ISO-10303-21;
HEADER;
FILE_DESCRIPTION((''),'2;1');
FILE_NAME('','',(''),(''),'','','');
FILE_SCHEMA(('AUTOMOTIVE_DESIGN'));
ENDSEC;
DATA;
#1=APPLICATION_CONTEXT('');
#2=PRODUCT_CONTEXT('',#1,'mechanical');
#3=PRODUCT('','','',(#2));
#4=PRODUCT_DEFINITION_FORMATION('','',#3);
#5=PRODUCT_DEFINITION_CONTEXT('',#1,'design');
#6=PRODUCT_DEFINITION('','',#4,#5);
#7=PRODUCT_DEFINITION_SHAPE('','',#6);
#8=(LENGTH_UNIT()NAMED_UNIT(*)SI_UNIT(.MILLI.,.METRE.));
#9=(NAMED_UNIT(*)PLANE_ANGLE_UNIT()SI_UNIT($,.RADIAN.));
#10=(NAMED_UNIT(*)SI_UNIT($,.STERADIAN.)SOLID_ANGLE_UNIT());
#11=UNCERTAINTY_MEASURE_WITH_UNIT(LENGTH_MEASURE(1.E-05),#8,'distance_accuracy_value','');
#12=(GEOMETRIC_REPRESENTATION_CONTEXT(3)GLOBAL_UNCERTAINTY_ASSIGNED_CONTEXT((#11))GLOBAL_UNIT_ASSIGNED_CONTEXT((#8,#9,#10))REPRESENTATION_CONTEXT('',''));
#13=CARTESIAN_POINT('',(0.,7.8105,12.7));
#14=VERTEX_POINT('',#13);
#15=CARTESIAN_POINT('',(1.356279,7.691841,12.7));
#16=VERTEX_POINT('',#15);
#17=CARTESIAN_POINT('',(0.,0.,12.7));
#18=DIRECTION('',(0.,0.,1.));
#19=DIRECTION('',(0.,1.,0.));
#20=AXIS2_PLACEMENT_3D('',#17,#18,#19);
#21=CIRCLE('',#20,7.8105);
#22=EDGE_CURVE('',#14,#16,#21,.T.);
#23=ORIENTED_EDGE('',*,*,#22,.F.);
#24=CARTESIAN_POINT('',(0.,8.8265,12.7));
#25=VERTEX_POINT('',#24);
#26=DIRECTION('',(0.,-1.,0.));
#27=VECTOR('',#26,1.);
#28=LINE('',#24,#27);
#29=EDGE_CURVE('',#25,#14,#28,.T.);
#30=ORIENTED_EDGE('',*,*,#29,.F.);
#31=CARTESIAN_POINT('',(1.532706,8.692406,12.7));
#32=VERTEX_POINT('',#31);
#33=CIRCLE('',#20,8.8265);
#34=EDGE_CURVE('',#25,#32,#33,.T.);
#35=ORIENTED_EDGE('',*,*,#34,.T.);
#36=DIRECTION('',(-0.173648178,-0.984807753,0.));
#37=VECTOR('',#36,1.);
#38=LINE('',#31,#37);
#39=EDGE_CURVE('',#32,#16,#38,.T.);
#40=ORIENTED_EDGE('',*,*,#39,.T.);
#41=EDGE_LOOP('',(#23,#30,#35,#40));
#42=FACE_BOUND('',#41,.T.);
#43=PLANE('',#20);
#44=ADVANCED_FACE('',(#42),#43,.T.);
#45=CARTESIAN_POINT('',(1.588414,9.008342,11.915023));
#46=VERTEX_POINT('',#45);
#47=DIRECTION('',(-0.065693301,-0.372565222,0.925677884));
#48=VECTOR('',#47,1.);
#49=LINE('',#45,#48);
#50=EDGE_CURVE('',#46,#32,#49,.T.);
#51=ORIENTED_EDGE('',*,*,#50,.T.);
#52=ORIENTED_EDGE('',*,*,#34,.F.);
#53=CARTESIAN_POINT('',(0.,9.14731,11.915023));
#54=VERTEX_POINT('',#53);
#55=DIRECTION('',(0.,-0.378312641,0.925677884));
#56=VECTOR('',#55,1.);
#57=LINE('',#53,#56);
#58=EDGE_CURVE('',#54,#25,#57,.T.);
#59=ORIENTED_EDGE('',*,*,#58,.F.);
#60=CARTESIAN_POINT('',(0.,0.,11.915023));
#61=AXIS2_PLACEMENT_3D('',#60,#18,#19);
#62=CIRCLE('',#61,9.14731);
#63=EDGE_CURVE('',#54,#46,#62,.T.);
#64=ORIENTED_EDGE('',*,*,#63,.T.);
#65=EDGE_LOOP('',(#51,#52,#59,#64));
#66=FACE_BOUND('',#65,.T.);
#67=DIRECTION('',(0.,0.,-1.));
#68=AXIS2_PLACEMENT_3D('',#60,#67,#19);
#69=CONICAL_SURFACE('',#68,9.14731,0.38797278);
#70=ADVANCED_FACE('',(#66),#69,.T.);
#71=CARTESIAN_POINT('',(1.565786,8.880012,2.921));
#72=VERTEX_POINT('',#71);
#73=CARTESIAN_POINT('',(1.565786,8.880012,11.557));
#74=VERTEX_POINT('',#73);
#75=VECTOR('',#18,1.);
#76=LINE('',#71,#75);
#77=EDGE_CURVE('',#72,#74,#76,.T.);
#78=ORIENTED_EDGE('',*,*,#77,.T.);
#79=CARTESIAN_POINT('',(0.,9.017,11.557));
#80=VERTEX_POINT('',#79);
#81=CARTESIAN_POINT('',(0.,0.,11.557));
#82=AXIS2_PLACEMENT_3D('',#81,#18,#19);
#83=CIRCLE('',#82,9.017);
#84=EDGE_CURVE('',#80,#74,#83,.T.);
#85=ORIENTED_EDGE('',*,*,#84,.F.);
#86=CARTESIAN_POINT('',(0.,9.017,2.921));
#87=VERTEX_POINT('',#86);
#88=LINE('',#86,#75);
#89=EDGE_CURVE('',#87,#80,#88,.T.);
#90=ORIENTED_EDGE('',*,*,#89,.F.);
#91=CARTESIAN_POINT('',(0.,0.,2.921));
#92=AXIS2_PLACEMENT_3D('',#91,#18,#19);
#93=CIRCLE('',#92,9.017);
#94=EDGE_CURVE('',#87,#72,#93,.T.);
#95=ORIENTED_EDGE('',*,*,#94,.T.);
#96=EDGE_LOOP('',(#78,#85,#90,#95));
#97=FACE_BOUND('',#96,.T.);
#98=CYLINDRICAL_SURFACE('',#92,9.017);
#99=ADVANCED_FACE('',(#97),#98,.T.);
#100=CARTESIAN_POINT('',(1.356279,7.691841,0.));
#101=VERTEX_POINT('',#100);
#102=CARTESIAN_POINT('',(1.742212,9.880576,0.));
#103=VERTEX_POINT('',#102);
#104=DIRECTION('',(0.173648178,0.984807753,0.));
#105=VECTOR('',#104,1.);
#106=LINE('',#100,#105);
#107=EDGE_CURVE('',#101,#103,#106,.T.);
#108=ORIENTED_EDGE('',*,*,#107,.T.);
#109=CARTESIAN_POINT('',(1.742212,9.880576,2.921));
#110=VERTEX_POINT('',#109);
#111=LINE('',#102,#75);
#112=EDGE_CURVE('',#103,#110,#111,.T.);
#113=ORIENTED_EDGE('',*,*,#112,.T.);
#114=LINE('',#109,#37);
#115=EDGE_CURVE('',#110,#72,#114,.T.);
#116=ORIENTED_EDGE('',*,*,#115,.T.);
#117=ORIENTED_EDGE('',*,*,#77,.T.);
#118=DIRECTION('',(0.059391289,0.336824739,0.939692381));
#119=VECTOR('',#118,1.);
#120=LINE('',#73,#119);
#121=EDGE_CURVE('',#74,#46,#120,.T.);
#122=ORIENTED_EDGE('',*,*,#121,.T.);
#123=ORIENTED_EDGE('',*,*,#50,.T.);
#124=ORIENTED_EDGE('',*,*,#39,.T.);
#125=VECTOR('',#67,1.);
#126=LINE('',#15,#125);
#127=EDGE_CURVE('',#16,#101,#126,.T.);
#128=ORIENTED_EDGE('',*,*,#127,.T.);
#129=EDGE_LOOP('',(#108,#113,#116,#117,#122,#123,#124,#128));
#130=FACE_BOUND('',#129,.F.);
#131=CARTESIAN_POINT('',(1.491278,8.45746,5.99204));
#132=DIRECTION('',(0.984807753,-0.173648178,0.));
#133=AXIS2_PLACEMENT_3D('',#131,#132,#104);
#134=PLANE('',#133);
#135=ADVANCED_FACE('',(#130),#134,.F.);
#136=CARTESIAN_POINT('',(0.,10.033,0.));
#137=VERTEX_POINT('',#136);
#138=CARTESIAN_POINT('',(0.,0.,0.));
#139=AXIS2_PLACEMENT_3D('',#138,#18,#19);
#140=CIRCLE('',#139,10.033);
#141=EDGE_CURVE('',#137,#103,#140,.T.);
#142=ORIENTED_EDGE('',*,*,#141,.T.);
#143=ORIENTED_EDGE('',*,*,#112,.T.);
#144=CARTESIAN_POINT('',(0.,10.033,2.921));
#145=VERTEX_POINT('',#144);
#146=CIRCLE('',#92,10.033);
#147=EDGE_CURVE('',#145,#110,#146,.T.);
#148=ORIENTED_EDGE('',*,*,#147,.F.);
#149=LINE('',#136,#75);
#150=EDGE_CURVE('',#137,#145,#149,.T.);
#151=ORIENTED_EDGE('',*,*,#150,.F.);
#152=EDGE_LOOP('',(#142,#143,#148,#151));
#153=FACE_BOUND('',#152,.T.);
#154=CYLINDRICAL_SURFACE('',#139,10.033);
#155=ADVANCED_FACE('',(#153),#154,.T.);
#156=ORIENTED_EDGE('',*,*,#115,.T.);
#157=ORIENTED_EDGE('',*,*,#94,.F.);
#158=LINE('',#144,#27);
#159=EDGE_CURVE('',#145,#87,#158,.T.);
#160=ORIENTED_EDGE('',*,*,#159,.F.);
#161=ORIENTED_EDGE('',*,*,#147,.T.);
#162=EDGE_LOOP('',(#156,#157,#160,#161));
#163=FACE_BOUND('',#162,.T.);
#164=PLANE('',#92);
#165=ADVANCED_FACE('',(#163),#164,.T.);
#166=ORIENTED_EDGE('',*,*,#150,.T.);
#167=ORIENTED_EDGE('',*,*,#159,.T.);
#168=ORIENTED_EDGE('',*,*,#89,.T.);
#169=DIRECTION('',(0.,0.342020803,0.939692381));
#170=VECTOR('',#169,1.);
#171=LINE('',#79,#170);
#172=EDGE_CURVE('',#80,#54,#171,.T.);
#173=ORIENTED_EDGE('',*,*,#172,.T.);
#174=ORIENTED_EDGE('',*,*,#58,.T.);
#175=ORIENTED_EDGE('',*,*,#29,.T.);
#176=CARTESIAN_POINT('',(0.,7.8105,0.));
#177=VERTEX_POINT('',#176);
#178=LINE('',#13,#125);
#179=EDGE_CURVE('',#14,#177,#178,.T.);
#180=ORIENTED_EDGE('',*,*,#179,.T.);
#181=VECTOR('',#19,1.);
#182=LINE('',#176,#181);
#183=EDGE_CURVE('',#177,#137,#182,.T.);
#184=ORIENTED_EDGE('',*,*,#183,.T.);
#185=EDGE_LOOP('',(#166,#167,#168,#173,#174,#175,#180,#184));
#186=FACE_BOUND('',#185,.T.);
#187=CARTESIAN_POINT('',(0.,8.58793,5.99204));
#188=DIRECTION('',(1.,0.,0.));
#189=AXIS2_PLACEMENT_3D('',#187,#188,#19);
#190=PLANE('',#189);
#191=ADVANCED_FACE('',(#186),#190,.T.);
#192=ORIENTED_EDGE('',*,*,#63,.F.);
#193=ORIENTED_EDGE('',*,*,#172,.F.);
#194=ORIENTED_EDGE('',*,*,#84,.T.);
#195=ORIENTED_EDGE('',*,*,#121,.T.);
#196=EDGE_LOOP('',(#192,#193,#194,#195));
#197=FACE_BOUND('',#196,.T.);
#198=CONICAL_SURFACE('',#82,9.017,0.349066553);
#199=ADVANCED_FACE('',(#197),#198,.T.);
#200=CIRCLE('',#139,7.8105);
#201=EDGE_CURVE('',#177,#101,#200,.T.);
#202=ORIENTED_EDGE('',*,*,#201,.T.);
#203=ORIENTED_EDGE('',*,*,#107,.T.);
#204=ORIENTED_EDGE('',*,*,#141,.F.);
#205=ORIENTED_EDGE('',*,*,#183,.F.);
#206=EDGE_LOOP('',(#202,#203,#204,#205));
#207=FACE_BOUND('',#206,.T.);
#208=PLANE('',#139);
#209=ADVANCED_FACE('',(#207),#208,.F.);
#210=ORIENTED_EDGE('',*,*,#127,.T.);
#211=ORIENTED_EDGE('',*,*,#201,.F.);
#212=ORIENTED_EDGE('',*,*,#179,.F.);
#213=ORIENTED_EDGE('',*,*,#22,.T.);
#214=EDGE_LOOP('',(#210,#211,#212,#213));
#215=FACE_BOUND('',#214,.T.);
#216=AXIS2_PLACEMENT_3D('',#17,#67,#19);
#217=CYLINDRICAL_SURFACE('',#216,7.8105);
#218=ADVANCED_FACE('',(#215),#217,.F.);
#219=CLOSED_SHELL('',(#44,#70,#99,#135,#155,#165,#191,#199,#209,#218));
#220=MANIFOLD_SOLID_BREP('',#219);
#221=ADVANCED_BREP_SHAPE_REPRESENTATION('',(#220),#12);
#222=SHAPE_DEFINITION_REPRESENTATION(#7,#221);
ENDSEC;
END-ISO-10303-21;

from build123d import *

# Parameters (mm, degrees)
F2_ANGLE = 350


with BuildPart() as f2:
    # F0 (on Right) → F2 (revolve)
    with BuildSketch(Plane.YZ):
        Polygon((7.8105, 12.7), (7.8105, 0), (10.033, 0), (10.033, 2.921), (9.017, 2.921), (9.017, 11.557), (9.14731, 11.915023), (8.8265, 12.7), align=None)
    revolve(axis=Axis((0, 0, 15.063431), (0, 0, 1)), revolution_arc=F2_ANGLE)


solid = f2.part
